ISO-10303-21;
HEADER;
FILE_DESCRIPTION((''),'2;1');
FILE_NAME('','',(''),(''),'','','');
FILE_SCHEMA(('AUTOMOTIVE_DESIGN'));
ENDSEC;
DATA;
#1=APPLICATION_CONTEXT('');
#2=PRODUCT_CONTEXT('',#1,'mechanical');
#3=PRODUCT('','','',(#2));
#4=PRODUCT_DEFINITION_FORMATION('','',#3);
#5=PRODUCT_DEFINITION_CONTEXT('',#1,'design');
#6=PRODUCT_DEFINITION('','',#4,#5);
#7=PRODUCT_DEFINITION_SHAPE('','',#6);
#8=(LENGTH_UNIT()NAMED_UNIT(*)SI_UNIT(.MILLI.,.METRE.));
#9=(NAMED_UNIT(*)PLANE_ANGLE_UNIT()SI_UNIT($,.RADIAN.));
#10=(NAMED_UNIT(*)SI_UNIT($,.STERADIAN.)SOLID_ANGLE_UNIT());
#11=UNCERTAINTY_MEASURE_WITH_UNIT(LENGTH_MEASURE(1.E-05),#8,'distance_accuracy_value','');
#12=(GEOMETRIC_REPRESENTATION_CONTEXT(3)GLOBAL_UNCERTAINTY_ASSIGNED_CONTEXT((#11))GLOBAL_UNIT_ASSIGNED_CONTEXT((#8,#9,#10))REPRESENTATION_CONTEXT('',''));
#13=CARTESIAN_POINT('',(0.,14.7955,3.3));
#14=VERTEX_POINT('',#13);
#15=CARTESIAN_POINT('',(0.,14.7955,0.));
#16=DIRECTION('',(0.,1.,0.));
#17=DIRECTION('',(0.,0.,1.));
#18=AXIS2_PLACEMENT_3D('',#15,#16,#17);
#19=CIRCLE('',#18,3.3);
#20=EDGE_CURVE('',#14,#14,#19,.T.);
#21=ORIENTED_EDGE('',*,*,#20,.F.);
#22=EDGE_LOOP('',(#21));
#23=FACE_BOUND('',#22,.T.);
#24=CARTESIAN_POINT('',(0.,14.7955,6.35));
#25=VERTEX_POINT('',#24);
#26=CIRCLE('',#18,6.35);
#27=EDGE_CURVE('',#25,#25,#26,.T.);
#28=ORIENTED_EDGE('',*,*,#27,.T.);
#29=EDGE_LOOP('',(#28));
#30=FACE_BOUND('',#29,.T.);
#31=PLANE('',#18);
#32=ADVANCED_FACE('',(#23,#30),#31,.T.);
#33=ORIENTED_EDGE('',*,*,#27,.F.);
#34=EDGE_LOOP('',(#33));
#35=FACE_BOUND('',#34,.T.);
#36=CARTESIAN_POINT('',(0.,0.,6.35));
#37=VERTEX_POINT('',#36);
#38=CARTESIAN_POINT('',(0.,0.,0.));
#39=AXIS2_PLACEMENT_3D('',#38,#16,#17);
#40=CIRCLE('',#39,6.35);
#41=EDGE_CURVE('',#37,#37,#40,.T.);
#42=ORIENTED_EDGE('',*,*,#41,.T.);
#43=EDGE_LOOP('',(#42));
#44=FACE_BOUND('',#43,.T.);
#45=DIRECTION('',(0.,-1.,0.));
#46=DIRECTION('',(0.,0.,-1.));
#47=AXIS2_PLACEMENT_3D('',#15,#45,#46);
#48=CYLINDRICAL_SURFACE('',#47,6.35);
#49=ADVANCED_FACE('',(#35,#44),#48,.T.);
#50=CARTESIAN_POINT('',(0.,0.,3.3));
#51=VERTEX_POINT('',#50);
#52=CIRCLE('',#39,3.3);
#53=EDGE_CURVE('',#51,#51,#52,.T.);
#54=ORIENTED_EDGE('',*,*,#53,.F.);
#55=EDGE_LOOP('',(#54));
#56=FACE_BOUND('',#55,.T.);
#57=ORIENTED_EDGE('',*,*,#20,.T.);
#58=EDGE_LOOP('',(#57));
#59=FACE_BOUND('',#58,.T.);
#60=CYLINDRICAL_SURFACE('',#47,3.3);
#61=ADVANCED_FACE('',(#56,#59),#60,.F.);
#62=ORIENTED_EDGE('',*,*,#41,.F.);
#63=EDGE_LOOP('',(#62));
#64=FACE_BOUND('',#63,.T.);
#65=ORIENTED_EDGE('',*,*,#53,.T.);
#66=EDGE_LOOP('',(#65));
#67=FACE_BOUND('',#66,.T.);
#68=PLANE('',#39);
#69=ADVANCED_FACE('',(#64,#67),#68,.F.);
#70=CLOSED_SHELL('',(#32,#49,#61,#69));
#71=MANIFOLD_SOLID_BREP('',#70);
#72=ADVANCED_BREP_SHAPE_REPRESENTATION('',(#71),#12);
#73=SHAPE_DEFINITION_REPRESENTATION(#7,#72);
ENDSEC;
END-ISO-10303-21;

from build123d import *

# Parameters (mm, degrees)
SKETCH1_R           = 6.35
SKETCH1_R_2         = 3.3
BOSS_EXTRUDE1_DEPTH = 14.7955


with BuildPart() as part:
    # Sketch1 → Boss-Extrude1 (new body)
    with BuildSketch(Plane(origin=(0, 0, 0), x_dir=(1, 0, 0), z_dir=(0, 1, 0))):
        Circle(SKETCH1_R)
        Circle(SKETCH1_R_2, mode=Mode.SUBTRACT)
    extrude(amount=BOSS_EXTRUDE1_DEPTH)


solid = part.part
